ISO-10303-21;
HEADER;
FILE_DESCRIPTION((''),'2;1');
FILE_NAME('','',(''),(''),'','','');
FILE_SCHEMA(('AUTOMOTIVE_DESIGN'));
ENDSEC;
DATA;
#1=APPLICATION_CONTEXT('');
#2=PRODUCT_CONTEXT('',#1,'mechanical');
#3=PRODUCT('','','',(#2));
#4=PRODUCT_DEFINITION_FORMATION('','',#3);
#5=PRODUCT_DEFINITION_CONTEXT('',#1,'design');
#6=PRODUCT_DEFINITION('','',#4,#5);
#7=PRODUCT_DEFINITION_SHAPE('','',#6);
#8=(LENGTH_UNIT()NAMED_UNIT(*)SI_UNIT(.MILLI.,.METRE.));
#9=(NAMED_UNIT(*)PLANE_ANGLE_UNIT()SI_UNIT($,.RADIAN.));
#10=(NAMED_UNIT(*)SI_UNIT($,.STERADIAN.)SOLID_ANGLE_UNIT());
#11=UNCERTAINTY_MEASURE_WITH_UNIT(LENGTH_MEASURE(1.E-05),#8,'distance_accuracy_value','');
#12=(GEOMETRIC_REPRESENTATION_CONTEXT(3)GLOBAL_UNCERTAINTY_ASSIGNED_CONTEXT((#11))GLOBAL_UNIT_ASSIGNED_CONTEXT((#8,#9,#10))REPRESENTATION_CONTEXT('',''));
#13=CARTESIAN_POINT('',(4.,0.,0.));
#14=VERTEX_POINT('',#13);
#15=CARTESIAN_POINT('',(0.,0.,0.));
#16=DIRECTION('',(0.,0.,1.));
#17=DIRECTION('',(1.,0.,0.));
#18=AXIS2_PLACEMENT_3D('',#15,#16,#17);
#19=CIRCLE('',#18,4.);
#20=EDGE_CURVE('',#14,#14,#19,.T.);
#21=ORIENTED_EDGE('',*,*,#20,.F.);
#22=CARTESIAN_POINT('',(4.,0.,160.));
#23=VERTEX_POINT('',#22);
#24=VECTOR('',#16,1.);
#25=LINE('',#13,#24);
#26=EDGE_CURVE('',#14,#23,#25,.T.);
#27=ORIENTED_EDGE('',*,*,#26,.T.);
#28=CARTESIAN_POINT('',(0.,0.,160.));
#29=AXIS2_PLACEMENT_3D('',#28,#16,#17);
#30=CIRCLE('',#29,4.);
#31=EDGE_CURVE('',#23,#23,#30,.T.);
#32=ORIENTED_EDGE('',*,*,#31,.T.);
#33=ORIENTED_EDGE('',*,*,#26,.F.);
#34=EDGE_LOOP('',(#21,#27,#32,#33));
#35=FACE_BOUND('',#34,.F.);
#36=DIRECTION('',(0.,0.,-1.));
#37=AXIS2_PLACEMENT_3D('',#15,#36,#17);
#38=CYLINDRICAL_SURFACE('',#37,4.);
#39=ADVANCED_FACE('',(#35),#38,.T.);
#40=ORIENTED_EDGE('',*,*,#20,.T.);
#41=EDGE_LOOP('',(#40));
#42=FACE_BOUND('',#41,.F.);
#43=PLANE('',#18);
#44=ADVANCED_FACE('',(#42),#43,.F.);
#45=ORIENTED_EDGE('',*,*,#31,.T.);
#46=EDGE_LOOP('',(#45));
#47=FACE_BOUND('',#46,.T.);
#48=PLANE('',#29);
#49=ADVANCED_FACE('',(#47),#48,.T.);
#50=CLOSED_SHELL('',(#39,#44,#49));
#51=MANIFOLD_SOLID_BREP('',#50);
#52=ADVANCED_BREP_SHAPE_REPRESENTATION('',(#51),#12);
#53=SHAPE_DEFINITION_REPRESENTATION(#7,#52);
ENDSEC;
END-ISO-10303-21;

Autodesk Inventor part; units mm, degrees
ref_plane "YZ Plane" through (0, 0, 0) normal (1, 0, 0) x (0, 1, 0)
ref_plane "XZ Plane" through (0, 0, 0) normal (0, 1, 0) x (-1, 0, 0)
ref_plane "XY Plane" through (0, 0, 0) normal (0, 0, 1) x (1, 0, 0)
sketch "Sketch1" plane through (0, 0, 0) normal (0, 0, 1) x (1, 0, 0)
  circle A0 centre (0, 0) radius 4
  dimension "d0" = 8
extrude "Extrusion1" add sketch "Sketch1" along normal blind 160
thread "Thread1" size "M8x1.25" class "6g" standard "ANSI Metric M Profile" length 140
properties part number "lead screw"
